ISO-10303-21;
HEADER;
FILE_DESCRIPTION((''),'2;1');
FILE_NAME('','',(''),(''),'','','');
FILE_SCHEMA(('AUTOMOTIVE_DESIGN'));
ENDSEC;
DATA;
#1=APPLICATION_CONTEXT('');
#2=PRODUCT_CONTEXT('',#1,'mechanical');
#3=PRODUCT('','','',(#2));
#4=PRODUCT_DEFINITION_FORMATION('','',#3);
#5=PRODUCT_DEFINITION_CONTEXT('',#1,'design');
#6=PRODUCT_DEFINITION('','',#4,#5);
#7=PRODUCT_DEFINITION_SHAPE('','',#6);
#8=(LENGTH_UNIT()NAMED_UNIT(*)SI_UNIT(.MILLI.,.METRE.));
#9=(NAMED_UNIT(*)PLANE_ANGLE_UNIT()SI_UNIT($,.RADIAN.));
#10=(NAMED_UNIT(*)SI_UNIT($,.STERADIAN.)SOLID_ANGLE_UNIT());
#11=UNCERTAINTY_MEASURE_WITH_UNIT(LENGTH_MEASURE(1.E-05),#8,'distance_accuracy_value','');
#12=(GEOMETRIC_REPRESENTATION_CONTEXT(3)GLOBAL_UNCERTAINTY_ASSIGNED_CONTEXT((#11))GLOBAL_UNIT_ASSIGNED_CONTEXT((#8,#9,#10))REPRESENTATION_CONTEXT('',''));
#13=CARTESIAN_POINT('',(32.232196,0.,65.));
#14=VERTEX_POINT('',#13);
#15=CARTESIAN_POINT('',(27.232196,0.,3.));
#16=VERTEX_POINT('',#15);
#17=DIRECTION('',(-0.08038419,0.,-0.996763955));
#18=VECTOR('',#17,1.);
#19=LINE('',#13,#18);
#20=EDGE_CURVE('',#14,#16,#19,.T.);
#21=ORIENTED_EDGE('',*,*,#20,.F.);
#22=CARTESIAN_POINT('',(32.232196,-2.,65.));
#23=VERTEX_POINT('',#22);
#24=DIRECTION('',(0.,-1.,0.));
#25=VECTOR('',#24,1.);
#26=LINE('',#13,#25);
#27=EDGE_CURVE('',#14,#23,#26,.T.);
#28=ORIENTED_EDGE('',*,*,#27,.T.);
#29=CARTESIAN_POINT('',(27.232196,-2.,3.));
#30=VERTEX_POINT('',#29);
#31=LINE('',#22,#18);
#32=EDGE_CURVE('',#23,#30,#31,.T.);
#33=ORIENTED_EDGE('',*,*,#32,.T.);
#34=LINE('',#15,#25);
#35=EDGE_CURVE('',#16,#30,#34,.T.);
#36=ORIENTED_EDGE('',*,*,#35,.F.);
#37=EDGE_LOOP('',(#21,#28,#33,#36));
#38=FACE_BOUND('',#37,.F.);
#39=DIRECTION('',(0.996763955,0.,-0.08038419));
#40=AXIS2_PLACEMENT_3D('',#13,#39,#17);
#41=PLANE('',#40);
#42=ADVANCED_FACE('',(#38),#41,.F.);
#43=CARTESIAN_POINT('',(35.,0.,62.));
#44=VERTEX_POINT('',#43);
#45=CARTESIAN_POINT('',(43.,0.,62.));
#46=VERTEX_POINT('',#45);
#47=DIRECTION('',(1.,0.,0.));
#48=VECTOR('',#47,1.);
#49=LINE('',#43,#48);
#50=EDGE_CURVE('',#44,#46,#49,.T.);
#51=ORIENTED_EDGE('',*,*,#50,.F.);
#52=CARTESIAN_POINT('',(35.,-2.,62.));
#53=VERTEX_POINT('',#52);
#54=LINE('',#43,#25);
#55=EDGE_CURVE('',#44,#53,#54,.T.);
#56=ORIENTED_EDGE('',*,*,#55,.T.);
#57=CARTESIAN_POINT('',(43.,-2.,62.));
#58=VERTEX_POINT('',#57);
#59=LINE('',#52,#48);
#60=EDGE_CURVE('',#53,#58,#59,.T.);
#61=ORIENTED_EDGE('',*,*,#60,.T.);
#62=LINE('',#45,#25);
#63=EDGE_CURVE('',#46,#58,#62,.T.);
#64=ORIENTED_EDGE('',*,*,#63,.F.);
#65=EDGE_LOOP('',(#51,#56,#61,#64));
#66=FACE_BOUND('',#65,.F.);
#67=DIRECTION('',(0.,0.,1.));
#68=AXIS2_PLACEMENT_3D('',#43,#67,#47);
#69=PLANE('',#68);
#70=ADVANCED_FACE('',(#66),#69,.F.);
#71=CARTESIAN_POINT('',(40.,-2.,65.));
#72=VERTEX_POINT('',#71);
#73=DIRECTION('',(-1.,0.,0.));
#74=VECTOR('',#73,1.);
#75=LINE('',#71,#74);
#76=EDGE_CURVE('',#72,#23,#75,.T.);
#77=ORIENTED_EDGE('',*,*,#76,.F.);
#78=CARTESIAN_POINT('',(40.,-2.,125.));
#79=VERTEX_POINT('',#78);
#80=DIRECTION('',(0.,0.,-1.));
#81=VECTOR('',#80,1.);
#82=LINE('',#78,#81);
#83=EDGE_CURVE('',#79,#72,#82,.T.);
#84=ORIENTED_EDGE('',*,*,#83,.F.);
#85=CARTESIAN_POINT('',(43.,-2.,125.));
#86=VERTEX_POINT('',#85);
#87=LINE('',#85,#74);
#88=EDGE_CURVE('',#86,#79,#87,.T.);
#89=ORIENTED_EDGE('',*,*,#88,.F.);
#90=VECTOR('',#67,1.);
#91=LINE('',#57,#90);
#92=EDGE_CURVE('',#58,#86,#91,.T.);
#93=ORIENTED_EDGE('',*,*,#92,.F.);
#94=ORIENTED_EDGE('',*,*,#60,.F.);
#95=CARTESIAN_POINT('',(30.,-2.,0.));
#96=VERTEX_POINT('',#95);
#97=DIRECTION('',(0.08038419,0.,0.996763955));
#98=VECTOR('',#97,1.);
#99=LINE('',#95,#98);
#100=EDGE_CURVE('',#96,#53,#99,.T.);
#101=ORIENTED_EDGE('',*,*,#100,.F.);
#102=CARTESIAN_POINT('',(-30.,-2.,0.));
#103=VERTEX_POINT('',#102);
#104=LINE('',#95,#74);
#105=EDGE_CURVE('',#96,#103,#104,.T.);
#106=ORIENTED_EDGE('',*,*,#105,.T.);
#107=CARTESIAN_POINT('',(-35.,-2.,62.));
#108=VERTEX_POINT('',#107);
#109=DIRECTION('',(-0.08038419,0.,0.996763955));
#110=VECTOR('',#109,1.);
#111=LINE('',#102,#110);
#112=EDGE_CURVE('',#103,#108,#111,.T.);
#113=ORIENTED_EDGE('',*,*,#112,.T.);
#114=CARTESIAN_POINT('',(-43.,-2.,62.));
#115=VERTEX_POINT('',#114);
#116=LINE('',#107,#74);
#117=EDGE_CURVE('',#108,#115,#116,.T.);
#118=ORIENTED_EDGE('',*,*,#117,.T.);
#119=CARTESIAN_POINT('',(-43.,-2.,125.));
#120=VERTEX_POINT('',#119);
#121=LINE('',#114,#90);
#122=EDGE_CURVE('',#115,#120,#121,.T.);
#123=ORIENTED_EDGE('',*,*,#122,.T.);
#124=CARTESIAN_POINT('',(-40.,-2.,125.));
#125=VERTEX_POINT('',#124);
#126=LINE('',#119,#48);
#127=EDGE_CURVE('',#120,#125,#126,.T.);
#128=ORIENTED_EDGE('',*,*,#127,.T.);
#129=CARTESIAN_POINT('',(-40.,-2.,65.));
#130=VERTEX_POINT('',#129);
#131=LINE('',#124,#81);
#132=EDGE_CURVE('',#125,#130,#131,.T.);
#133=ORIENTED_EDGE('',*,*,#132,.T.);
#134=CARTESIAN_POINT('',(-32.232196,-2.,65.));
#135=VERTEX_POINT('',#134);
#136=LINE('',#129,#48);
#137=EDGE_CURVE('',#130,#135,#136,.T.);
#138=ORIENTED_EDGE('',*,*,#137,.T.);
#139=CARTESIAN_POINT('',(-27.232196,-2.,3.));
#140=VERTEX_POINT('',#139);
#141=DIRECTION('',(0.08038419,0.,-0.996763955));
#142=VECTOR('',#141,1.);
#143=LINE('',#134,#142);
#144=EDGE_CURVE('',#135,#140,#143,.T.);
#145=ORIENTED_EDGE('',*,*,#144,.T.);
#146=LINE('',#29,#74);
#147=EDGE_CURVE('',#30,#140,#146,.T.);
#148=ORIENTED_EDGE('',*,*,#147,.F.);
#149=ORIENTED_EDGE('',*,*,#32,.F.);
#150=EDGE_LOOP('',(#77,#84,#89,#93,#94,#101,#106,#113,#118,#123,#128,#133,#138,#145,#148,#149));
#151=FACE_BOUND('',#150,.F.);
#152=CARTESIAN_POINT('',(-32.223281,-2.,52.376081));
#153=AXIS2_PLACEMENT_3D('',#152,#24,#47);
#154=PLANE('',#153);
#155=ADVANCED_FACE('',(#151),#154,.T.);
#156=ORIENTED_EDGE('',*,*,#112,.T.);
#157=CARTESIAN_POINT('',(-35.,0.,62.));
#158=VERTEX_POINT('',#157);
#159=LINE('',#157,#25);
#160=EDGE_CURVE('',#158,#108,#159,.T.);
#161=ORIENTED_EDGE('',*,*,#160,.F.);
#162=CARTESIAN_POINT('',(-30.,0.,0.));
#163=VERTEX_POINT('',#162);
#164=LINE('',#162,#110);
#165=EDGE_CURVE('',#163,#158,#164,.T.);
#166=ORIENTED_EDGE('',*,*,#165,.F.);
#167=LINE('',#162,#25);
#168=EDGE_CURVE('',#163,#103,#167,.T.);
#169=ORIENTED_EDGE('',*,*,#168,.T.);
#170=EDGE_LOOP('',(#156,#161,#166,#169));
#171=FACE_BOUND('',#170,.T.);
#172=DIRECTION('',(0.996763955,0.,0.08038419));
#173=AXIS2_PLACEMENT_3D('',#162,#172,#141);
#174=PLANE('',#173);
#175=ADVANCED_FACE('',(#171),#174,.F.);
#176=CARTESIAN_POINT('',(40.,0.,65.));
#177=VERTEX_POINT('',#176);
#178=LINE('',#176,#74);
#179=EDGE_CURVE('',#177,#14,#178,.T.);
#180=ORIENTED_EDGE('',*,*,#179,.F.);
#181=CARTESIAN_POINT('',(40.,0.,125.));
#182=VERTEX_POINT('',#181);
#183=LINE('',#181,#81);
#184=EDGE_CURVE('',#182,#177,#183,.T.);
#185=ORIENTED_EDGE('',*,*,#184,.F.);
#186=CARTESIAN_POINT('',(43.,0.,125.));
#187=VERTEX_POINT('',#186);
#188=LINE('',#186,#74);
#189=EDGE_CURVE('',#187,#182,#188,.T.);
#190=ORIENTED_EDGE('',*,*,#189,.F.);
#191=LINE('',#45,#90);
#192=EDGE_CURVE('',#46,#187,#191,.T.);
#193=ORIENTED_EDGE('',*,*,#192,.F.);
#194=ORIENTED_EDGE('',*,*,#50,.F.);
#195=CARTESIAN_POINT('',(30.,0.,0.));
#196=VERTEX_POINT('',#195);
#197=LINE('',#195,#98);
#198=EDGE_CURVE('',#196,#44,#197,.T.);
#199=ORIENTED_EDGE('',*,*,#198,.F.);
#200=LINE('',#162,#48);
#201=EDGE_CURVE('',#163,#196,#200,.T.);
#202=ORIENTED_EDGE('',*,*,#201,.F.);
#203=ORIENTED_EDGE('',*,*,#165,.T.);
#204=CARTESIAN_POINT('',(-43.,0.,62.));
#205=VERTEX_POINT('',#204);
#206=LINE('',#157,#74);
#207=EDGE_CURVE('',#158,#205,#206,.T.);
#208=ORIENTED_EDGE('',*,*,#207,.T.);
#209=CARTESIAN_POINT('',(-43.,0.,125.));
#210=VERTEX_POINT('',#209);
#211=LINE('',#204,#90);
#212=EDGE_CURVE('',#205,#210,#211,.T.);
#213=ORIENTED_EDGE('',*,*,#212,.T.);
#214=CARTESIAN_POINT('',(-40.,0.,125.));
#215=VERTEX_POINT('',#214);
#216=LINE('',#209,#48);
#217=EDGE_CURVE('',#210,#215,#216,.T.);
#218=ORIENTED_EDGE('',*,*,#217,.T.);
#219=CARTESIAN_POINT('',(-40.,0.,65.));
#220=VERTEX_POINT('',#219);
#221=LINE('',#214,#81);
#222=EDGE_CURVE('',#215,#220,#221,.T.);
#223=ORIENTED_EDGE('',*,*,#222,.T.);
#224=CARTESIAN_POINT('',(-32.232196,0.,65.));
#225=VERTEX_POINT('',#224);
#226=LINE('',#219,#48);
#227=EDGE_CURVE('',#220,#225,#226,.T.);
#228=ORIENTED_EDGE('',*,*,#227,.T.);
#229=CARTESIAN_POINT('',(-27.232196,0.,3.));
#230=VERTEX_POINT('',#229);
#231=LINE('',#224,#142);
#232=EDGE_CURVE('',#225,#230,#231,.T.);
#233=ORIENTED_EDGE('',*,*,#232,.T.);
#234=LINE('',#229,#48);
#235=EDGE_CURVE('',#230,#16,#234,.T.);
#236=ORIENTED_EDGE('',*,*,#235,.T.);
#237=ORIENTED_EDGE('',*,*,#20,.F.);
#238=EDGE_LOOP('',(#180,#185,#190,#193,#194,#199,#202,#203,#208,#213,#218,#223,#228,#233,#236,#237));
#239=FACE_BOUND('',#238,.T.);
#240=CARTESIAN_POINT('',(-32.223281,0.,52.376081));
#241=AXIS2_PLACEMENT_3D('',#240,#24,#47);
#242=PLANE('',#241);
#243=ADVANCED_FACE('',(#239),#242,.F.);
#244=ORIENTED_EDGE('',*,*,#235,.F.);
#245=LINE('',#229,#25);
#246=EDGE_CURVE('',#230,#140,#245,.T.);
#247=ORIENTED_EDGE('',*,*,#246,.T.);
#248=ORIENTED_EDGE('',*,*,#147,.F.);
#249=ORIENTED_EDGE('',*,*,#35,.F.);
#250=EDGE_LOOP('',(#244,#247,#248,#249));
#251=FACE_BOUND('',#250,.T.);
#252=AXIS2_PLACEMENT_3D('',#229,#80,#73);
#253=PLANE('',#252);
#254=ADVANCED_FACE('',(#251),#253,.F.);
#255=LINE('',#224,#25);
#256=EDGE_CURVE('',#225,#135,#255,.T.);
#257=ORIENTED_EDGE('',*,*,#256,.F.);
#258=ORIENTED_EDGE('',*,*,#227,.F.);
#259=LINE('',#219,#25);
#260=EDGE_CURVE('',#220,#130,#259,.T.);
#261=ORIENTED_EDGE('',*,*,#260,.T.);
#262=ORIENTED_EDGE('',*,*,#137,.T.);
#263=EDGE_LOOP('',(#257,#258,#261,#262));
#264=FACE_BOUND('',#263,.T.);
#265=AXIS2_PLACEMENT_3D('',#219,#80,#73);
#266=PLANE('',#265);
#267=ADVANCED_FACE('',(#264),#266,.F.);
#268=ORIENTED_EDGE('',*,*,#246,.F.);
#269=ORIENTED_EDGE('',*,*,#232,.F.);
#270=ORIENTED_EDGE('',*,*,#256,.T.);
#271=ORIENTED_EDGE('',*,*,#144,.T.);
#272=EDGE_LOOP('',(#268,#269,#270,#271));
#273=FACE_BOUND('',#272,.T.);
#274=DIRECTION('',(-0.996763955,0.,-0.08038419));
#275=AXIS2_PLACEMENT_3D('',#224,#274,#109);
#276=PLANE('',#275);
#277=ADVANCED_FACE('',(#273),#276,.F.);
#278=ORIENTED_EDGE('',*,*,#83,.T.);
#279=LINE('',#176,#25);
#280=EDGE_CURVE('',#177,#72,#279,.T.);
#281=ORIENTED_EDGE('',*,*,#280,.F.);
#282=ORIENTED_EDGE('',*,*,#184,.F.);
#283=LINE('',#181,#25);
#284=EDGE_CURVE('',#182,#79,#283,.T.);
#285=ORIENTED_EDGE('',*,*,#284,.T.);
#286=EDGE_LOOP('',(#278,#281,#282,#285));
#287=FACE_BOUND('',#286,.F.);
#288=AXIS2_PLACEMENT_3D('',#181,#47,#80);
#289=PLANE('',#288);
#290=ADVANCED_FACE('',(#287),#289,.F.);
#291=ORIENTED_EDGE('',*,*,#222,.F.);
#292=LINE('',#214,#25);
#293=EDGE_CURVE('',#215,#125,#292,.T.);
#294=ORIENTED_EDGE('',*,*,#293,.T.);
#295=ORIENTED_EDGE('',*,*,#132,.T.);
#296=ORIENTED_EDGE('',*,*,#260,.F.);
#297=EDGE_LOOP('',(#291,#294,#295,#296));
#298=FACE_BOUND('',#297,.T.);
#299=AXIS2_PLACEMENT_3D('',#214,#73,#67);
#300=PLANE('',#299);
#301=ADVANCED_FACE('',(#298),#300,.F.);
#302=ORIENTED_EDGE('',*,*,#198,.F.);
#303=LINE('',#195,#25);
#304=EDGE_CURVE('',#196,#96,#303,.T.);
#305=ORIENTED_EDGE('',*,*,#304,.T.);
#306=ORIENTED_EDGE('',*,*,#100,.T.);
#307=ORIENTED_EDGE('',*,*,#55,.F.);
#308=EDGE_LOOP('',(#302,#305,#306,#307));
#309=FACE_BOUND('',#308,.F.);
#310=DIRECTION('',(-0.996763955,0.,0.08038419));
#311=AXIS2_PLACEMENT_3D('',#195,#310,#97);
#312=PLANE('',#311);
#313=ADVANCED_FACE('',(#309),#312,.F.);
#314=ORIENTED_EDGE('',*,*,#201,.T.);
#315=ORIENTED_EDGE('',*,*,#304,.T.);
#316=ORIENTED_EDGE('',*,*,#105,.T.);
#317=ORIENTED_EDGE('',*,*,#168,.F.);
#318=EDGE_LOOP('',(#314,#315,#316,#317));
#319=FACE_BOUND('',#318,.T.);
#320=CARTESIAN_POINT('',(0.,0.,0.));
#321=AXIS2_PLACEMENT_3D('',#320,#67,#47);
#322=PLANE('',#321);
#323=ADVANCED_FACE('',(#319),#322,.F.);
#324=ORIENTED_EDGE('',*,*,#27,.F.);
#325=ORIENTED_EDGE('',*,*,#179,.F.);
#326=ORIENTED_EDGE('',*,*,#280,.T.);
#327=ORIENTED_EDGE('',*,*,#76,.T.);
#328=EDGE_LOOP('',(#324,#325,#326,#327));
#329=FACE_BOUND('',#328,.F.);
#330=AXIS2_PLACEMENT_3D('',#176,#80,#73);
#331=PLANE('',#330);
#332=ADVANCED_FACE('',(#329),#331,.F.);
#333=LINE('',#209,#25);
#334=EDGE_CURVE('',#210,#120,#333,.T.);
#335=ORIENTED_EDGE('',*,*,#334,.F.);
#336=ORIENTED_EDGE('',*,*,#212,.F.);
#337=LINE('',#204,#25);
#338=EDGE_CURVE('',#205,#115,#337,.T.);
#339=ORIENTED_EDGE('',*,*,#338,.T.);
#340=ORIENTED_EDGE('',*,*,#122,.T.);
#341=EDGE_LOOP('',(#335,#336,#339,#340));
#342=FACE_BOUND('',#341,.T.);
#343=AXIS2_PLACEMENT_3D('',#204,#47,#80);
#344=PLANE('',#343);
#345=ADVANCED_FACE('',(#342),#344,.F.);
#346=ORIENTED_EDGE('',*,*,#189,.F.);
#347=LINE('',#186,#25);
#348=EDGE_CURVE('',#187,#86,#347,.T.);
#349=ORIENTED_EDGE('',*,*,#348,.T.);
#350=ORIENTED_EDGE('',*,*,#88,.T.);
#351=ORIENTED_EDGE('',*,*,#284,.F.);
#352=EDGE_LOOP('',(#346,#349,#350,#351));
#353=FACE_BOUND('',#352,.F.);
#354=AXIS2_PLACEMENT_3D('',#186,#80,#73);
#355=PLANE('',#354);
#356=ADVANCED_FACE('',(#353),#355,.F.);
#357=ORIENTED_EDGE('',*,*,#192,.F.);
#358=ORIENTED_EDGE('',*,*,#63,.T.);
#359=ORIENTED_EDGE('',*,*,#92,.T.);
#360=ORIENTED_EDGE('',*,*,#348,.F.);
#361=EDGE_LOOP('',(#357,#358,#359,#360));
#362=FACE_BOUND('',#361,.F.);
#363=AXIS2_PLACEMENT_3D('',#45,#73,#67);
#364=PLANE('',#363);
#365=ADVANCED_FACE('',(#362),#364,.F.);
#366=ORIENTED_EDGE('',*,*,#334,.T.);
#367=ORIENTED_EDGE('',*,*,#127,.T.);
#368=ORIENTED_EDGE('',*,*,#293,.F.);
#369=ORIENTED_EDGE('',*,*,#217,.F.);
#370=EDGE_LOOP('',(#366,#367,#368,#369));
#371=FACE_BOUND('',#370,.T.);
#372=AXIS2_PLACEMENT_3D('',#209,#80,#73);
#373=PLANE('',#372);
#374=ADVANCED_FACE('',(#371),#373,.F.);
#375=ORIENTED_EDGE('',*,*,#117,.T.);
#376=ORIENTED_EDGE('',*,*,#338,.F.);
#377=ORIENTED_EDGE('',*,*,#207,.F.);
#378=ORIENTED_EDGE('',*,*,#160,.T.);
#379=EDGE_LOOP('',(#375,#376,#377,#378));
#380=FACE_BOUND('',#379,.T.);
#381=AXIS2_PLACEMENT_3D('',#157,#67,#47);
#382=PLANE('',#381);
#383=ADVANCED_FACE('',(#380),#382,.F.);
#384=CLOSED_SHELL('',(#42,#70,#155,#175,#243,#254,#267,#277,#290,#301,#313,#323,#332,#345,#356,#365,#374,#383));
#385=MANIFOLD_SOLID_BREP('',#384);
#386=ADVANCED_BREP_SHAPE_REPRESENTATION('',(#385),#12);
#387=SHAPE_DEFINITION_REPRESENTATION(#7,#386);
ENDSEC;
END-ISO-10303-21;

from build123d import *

# Parameters (mm, degrees)
F1_DEPTH = 2


with BuildPart() as f1:
    # F0 (on Front) → F1 (new body)
    with BuildSketch(Plane.XZ):
        Polygon((0, 3), (0, 0), (30, 0), (35, 62), (43, 62), (43, 125), (40, 125), (40, 65), (32.232196, 65), (27.232196, 3), align=None)
    extrude(amount=F1_DEPTH)

    # F2: F1 across plane


with BuildPart() as f1_1:
    add(f1.part)
    add(f1.part.mirror(Plane.YZ))


solid = f1_1.part
